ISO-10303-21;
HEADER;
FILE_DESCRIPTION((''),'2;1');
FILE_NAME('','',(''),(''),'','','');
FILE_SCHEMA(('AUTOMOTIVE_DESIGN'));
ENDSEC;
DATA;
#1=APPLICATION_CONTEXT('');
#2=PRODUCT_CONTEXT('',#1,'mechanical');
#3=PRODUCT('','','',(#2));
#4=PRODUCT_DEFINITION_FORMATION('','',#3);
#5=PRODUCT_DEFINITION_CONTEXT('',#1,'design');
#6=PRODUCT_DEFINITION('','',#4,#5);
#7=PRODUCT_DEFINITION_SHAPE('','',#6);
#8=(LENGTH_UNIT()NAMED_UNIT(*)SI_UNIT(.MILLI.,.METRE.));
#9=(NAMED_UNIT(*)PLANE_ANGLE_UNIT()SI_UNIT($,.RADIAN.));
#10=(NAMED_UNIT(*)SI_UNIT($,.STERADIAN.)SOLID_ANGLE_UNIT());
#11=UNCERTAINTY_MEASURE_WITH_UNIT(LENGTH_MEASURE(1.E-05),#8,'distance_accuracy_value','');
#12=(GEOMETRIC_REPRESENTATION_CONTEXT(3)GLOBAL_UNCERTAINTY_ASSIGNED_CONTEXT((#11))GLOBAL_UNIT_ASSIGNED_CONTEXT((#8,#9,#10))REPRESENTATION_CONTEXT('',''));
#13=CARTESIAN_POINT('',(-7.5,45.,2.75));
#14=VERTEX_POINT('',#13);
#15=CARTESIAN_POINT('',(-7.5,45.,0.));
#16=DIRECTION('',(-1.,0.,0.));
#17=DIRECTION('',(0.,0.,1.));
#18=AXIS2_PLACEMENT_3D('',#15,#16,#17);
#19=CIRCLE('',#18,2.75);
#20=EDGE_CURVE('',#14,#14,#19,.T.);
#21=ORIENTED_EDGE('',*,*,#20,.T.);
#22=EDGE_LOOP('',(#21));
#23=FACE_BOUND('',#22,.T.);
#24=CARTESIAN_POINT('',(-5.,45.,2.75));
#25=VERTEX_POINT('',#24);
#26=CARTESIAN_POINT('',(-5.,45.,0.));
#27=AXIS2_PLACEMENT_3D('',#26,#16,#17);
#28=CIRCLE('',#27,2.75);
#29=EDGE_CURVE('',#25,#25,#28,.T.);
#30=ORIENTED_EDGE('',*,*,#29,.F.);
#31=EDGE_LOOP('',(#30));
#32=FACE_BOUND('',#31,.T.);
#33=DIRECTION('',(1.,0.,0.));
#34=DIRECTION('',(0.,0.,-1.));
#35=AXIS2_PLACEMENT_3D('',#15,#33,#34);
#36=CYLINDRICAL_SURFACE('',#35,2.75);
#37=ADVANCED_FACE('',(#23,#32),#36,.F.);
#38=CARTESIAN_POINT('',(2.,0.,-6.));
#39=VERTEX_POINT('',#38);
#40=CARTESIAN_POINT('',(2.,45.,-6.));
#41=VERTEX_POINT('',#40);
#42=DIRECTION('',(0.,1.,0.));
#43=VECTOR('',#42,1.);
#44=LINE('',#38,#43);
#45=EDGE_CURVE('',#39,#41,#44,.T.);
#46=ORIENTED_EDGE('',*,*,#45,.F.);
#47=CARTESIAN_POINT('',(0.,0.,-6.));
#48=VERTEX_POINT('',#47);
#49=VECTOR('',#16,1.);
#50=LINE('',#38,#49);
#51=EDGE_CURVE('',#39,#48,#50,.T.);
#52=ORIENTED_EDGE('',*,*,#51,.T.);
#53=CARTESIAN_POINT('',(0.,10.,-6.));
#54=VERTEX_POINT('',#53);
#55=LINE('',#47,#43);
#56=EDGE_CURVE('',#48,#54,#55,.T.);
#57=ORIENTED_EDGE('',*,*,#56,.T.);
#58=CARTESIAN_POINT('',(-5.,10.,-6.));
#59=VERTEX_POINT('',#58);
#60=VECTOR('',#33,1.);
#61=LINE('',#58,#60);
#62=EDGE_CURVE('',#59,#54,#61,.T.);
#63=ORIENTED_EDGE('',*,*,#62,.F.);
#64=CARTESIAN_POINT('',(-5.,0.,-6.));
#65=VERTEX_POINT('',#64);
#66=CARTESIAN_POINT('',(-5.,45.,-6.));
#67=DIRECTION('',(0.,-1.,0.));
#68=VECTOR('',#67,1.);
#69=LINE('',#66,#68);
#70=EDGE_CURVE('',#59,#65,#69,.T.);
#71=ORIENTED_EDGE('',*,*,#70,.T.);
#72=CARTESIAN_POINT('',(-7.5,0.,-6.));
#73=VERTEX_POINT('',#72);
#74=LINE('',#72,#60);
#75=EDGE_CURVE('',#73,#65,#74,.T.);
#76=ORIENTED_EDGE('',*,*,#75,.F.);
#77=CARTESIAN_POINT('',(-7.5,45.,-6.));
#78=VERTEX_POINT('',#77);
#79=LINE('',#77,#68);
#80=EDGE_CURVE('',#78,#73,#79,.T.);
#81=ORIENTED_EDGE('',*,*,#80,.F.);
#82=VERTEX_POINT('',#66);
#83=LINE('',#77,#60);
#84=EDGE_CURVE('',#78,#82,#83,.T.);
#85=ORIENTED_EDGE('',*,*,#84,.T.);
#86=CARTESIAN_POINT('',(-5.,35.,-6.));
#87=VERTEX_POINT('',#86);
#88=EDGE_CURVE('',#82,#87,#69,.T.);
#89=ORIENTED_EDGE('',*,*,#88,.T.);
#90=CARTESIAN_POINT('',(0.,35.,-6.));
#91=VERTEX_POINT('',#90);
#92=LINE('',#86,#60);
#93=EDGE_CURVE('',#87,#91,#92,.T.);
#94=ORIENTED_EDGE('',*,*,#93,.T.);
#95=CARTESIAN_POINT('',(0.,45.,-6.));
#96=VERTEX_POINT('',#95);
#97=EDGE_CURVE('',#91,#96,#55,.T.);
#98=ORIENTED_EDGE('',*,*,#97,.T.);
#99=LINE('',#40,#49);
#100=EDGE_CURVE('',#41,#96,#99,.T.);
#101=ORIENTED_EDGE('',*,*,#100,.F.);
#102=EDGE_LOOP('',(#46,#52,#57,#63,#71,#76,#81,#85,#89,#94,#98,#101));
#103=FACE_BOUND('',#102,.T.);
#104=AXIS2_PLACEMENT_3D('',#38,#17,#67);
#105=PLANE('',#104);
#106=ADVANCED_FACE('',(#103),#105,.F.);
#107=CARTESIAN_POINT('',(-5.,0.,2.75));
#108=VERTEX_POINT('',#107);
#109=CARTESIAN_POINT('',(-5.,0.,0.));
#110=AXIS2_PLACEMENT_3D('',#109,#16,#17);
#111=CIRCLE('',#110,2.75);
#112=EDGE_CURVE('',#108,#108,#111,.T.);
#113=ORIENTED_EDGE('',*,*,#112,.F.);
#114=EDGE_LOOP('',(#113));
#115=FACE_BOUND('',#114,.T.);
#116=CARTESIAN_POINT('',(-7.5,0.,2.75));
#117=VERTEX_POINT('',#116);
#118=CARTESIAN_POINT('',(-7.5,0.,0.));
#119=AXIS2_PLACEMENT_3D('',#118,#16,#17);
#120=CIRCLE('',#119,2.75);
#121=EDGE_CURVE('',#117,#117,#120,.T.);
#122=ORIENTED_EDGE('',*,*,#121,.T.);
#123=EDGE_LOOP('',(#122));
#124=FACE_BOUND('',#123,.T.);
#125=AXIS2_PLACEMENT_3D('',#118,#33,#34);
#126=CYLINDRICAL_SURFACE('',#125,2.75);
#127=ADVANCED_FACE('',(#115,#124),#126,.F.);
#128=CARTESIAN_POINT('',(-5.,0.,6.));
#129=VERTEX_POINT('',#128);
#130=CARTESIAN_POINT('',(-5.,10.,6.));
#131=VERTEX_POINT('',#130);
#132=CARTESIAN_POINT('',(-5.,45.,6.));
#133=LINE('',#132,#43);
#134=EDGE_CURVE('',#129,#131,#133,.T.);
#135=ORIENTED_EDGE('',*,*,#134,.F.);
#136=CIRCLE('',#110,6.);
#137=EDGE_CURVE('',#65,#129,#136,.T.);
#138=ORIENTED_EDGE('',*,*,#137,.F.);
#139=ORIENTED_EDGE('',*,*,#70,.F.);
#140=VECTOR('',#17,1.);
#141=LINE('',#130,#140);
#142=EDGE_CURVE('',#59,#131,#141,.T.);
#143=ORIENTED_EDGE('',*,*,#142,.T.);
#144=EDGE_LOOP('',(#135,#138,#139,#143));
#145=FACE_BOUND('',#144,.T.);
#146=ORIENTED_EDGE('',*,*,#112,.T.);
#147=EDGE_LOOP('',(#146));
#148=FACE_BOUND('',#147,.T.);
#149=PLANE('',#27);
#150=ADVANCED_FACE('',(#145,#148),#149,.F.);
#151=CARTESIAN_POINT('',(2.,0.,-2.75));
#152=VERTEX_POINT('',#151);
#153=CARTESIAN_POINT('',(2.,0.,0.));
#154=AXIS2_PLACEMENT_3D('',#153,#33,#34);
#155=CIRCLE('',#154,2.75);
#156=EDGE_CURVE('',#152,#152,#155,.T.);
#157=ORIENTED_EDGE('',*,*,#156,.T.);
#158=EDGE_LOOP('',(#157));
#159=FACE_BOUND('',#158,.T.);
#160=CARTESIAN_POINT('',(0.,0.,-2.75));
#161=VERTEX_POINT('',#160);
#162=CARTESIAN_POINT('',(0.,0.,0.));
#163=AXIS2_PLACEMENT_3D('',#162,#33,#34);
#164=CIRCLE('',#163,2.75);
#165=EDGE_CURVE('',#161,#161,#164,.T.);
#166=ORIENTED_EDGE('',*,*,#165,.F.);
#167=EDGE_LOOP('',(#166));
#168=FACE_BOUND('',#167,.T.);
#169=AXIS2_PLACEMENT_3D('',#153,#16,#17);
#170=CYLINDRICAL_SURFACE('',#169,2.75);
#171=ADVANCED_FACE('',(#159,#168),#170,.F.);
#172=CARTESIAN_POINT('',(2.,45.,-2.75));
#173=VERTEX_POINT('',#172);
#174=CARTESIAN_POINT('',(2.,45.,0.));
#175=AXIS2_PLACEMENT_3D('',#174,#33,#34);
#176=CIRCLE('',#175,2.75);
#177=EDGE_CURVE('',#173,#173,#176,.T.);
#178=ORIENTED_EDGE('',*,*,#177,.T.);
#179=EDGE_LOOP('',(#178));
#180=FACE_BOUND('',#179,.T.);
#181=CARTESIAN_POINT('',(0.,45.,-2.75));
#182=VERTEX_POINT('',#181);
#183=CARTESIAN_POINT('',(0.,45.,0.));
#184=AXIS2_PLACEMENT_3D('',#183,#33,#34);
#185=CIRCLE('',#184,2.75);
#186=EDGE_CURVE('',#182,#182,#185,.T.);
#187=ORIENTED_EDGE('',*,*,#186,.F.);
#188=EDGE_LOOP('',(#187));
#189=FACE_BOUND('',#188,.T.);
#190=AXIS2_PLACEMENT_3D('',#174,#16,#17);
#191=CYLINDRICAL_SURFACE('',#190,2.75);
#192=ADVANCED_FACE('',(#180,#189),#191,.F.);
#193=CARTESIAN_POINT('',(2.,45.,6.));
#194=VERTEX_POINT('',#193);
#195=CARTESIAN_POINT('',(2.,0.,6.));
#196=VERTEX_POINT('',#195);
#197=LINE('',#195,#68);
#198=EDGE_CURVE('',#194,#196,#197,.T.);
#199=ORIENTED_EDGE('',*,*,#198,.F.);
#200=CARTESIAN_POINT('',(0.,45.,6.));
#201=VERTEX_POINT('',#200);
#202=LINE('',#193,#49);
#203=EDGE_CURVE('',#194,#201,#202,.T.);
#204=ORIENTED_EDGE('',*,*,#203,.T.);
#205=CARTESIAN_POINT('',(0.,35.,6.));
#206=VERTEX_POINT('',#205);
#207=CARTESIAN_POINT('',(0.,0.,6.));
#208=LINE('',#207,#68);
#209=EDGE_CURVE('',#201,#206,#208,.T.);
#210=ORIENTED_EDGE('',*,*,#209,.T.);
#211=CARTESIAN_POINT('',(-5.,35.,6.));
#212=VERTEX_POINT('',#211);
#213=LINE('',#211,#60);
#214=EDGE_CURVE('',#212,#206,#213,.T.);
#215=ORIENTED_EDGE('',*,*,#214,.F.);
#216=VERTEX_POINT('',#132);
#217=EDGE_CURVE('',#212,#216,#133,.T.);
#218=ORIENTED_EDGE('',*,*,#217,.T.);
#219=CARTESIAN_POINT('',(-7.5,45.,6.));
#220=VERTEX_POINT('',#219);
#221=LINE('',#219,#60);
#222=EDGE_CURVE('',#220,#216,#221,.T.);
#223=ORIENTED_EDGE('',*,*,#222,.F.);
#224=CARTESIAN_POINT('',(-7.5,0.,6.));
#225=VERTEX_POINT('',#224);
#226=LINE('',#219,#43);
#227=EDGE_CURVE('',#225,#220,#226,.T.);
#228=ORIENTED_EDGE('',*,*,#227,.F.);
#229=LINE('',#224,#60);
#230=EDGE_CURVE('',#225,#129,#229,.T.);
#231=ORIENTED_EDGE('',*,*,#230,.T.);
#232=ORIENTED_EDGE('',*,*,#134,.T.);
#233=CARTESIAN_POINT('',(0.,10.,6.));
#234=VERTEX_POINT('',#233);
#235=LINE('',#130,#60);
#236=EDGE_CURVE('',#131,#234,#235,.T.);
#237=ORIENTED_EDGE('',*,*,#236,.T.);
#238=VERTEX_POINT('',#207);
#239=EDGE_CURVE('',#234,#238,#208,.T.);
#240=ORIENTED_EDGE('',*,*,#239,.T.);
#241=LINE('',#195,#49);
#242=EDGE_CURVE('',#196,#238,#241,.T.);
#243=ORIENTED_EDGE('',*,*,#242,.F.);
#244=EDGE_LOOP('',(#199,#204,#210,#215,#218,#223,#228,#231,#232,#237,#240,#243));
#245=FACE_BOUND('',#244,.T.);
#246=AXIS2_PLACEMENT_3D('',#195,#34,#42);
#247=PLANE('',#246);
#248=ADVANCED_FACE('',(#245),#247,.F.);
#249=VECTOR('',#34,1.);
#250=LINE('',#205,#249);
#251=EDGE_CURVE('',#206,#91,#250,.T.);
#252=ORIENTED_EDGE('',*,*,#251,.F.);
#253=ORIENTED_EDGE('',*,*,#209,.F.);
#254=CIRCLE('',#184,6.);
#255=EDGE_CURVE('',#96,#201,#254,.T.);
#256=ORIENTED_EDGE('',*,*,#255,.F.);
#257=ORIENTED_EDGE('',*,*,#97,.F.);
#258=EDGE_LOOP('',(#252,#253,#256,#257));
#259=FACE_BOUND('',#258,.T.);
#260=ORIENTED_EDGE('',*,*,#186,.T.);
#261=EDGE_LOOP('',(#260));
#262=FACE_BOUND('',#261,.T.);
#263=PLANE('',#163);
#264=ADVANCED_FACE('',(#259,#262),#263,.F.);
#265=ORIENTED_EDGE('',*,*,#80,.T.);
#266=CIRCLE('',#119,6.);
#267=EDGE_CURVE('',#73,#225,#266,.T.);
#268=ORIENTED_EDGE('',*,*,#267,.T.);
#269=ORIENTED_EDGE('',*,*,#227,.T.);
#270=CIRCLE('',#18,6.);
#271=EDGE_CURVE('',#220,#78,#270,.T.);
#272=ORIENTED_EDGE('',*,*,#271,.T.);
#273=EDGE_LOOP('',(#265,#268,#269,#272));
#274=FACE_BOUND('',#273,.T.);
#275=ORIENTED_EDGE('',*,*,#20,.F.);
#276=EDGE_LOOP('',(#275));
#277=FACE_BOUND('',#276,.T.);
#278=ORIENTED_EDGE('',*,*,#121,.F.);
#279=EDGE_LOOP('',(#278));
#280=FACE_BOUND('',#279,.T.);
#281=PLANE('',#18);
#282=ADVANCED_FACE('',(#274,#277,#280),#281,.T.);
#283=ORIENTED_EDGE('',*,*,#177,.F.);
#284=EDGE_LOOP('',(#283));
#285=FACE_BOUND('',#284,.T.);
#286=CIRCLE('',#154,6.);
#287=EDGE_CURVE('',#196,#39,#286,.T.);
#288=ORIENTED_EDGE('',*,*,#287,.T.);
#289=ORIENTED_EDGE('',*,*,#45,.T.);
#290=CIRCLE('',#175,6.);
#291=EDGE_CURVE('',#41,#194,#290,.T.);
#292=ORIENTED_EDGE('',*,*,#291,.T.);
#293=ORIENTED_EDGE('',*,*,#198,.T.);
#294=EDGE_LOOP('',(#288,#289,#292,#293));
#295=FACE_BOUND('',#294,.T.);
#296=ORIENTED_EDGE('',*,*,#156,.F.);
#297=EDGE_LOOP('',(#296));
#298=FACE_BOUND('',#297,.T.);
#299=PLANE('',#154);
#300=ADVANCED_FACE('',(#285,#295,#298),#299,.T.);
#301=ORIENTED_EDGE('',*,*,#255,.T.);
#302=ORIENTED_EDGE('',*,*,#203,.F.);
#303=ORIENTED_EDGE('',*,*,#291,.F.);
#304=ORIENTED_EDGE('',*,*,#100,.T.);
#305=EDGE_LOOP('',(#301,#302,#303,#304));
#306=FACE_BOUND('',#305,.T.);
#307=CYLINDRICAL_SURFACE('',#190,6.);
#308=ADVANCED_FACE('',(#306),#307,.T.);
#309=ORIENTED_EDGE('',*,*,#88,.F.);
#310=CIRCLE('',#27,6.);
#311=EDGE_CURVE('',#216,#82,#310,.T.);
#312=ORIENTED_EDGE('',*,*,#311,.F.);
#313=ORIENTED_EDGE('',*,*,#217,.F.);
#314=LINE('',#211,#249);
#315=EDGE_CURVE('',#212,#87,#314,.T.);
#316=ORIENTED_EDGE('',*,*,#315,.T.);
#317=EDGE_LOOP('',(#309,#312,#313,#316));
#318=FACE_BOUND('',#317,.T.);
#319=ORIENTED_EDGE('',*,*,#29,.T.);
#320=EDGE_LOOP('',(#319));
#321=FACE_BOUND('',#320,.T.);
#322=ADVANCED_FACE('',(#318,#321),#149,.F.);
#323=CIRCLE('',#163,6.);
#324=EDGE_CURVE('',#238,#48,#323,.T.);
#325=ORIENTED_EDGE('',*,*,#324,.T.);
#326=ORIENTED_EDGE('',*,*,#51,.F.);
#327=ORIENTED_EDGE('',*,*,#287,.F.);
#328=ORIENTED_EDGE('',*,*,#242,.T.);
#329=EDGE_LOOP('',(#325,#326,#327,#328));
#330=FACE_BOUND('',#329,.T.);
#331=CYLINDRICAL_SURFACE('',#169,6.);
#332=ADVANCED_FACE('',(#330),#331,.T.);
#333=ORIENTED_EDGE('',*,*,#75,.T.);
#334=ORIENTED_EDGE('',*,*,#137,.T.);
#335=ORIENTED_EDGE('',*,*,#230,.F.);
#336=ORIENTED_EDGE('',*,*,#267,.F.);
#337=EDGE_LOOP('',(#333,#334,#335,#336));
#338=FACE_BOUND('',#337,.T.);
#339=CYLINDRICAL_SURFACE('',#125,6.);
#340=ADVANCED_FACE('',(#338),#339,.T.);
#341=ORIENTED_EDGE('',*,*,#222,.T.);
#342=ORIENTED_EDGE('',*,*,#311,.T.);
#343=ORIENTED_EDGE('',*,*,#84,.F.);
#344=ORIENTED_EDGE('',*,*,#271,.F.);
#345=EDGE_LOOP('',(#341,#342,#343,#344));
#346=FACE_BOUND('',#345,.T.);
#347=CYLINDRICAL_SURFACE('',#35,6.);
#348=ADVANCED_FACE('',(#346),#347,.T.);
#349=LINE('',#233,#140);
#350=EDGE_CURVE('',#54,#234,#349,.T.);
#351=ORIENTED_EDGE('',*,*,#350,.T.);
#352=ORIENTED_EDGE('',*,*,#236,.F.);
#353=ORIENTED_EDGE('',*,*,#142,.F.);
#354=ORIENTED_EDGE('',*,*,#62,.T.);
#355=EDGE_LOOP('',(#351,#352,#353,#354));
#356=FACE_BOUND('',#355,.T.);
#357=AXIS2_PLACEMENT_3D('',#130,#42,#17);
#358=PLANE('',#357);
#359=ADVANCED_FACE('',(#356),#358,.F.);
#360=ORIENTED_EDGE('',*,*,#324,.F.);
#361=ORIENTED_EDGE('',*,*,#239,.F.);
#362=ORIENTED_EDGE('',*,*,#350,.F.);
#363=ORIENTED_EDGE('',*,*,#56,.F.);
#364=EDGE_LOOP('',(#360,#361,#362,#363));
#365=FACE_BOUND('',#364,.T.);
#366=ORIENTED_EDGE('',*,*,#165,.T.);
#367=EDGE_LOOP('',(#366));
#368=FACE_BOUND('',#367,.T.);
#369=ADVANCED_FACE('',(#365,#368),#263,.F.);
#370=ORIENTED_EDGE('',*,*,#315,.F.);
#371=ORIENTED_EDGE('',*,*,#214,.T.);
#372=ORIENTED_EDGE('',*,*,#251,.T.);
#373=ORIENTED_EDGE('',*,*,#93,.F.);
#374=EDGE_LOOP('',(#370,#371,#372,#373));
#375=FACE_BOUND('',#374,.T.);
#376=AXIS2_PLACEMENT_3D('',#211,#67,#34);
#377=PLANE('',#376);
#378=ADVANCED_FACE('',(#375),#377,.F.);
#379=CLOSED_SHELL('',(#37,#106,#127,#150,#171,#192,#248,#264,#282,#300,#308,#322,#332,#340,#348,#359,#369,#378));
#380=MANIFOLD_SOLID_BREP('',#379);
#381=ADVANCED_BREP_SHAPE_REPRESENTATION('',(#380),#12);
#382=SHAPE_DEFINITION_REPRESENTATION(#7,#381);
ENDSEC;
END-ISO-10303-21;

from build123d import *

# Parameters (mm, degrees)
SKETCH1_R           = 2.75
BOSS_EXTRUDE1_DEPTH = 2
SKETCH3_W           = 25
SKETCH3_H           = 12
BOSS_EXTRUDE2_DEPTH = 5
BOSS_EXTRUDE3_START = 2.5
SKETCH4_R           = 2.75
BOSS_EXTRUDE3_DEPTH = 2.5


with BuildPart() as part:
    # Sketch1 → Boss-Extrude1 (new body)
    with BuildSketch(Plane.YZ):
        with BuildLine():
            Line((0, 6), (45, 6))
            ThreePointArc((45, 6), (51, 0), (45, -6))
            Line((45, -6), (0, -6))
            ThreePointArc((0, -6), (-6, 0), (0, 6))
        make_face()
        with Locations(Location((0, 0, 0), (0, 0, 270))):
            Circle(SKETCH1_R, mode=Mode.SUBTRACT)
        with Locations(Location((45, 0, 0), (0, 0, 270))):
            Circle(SKETCH1_R, mode=Mode.SUBTRACT)
    extrude(amount=BOSS_EXTRUDE1_DEPTH)

    # Sketch3 → Boss-Extrude2 (add)
    with BuildSketch(Plane(origin=(0, 0, 0), x_dir=(0, -1, 0), z_dir=(-1, 0, 0))):
        with Locations((-22.5, 0)):
            Rectangle(SKETCH3_W, SKETCH3_H)
    extrude(amount=BOSS_EXTRUDE2_DEPTH)

    # Sketch4 → Boss-Extrude3 (add)
    with BuildSketch(Plane(origin=(-5, 0, 0), x_dir=(0, -1, 0), z_dir=(-1, 0, 0)).offset(BOSS_EXTRUDE3_START)):
        with BuildLine():
            Line((-45, 6), (0, 6))
            ThreePointArc((0, 6), (6, 0), (0, -6))
            Line((0, -6), (-45, -6))
            ThreePointArc((-45, -6), (-51, 0), (-45, 6))
        make_face()
        with Locations(Location((-45, 0, 0), (0, 0, 270))):
            Circle(SKETCH4_R, mode=Mode.SUBTRACT)
        with Locations(Location((0, 0, 0), (0, 0, 270))):
            Circle(SKETCH4_R, mode=Mode.SUBTRACT)
    extrude(amount=-BOSS_EXTRUDE3_DEPTH)


solid = part.part
